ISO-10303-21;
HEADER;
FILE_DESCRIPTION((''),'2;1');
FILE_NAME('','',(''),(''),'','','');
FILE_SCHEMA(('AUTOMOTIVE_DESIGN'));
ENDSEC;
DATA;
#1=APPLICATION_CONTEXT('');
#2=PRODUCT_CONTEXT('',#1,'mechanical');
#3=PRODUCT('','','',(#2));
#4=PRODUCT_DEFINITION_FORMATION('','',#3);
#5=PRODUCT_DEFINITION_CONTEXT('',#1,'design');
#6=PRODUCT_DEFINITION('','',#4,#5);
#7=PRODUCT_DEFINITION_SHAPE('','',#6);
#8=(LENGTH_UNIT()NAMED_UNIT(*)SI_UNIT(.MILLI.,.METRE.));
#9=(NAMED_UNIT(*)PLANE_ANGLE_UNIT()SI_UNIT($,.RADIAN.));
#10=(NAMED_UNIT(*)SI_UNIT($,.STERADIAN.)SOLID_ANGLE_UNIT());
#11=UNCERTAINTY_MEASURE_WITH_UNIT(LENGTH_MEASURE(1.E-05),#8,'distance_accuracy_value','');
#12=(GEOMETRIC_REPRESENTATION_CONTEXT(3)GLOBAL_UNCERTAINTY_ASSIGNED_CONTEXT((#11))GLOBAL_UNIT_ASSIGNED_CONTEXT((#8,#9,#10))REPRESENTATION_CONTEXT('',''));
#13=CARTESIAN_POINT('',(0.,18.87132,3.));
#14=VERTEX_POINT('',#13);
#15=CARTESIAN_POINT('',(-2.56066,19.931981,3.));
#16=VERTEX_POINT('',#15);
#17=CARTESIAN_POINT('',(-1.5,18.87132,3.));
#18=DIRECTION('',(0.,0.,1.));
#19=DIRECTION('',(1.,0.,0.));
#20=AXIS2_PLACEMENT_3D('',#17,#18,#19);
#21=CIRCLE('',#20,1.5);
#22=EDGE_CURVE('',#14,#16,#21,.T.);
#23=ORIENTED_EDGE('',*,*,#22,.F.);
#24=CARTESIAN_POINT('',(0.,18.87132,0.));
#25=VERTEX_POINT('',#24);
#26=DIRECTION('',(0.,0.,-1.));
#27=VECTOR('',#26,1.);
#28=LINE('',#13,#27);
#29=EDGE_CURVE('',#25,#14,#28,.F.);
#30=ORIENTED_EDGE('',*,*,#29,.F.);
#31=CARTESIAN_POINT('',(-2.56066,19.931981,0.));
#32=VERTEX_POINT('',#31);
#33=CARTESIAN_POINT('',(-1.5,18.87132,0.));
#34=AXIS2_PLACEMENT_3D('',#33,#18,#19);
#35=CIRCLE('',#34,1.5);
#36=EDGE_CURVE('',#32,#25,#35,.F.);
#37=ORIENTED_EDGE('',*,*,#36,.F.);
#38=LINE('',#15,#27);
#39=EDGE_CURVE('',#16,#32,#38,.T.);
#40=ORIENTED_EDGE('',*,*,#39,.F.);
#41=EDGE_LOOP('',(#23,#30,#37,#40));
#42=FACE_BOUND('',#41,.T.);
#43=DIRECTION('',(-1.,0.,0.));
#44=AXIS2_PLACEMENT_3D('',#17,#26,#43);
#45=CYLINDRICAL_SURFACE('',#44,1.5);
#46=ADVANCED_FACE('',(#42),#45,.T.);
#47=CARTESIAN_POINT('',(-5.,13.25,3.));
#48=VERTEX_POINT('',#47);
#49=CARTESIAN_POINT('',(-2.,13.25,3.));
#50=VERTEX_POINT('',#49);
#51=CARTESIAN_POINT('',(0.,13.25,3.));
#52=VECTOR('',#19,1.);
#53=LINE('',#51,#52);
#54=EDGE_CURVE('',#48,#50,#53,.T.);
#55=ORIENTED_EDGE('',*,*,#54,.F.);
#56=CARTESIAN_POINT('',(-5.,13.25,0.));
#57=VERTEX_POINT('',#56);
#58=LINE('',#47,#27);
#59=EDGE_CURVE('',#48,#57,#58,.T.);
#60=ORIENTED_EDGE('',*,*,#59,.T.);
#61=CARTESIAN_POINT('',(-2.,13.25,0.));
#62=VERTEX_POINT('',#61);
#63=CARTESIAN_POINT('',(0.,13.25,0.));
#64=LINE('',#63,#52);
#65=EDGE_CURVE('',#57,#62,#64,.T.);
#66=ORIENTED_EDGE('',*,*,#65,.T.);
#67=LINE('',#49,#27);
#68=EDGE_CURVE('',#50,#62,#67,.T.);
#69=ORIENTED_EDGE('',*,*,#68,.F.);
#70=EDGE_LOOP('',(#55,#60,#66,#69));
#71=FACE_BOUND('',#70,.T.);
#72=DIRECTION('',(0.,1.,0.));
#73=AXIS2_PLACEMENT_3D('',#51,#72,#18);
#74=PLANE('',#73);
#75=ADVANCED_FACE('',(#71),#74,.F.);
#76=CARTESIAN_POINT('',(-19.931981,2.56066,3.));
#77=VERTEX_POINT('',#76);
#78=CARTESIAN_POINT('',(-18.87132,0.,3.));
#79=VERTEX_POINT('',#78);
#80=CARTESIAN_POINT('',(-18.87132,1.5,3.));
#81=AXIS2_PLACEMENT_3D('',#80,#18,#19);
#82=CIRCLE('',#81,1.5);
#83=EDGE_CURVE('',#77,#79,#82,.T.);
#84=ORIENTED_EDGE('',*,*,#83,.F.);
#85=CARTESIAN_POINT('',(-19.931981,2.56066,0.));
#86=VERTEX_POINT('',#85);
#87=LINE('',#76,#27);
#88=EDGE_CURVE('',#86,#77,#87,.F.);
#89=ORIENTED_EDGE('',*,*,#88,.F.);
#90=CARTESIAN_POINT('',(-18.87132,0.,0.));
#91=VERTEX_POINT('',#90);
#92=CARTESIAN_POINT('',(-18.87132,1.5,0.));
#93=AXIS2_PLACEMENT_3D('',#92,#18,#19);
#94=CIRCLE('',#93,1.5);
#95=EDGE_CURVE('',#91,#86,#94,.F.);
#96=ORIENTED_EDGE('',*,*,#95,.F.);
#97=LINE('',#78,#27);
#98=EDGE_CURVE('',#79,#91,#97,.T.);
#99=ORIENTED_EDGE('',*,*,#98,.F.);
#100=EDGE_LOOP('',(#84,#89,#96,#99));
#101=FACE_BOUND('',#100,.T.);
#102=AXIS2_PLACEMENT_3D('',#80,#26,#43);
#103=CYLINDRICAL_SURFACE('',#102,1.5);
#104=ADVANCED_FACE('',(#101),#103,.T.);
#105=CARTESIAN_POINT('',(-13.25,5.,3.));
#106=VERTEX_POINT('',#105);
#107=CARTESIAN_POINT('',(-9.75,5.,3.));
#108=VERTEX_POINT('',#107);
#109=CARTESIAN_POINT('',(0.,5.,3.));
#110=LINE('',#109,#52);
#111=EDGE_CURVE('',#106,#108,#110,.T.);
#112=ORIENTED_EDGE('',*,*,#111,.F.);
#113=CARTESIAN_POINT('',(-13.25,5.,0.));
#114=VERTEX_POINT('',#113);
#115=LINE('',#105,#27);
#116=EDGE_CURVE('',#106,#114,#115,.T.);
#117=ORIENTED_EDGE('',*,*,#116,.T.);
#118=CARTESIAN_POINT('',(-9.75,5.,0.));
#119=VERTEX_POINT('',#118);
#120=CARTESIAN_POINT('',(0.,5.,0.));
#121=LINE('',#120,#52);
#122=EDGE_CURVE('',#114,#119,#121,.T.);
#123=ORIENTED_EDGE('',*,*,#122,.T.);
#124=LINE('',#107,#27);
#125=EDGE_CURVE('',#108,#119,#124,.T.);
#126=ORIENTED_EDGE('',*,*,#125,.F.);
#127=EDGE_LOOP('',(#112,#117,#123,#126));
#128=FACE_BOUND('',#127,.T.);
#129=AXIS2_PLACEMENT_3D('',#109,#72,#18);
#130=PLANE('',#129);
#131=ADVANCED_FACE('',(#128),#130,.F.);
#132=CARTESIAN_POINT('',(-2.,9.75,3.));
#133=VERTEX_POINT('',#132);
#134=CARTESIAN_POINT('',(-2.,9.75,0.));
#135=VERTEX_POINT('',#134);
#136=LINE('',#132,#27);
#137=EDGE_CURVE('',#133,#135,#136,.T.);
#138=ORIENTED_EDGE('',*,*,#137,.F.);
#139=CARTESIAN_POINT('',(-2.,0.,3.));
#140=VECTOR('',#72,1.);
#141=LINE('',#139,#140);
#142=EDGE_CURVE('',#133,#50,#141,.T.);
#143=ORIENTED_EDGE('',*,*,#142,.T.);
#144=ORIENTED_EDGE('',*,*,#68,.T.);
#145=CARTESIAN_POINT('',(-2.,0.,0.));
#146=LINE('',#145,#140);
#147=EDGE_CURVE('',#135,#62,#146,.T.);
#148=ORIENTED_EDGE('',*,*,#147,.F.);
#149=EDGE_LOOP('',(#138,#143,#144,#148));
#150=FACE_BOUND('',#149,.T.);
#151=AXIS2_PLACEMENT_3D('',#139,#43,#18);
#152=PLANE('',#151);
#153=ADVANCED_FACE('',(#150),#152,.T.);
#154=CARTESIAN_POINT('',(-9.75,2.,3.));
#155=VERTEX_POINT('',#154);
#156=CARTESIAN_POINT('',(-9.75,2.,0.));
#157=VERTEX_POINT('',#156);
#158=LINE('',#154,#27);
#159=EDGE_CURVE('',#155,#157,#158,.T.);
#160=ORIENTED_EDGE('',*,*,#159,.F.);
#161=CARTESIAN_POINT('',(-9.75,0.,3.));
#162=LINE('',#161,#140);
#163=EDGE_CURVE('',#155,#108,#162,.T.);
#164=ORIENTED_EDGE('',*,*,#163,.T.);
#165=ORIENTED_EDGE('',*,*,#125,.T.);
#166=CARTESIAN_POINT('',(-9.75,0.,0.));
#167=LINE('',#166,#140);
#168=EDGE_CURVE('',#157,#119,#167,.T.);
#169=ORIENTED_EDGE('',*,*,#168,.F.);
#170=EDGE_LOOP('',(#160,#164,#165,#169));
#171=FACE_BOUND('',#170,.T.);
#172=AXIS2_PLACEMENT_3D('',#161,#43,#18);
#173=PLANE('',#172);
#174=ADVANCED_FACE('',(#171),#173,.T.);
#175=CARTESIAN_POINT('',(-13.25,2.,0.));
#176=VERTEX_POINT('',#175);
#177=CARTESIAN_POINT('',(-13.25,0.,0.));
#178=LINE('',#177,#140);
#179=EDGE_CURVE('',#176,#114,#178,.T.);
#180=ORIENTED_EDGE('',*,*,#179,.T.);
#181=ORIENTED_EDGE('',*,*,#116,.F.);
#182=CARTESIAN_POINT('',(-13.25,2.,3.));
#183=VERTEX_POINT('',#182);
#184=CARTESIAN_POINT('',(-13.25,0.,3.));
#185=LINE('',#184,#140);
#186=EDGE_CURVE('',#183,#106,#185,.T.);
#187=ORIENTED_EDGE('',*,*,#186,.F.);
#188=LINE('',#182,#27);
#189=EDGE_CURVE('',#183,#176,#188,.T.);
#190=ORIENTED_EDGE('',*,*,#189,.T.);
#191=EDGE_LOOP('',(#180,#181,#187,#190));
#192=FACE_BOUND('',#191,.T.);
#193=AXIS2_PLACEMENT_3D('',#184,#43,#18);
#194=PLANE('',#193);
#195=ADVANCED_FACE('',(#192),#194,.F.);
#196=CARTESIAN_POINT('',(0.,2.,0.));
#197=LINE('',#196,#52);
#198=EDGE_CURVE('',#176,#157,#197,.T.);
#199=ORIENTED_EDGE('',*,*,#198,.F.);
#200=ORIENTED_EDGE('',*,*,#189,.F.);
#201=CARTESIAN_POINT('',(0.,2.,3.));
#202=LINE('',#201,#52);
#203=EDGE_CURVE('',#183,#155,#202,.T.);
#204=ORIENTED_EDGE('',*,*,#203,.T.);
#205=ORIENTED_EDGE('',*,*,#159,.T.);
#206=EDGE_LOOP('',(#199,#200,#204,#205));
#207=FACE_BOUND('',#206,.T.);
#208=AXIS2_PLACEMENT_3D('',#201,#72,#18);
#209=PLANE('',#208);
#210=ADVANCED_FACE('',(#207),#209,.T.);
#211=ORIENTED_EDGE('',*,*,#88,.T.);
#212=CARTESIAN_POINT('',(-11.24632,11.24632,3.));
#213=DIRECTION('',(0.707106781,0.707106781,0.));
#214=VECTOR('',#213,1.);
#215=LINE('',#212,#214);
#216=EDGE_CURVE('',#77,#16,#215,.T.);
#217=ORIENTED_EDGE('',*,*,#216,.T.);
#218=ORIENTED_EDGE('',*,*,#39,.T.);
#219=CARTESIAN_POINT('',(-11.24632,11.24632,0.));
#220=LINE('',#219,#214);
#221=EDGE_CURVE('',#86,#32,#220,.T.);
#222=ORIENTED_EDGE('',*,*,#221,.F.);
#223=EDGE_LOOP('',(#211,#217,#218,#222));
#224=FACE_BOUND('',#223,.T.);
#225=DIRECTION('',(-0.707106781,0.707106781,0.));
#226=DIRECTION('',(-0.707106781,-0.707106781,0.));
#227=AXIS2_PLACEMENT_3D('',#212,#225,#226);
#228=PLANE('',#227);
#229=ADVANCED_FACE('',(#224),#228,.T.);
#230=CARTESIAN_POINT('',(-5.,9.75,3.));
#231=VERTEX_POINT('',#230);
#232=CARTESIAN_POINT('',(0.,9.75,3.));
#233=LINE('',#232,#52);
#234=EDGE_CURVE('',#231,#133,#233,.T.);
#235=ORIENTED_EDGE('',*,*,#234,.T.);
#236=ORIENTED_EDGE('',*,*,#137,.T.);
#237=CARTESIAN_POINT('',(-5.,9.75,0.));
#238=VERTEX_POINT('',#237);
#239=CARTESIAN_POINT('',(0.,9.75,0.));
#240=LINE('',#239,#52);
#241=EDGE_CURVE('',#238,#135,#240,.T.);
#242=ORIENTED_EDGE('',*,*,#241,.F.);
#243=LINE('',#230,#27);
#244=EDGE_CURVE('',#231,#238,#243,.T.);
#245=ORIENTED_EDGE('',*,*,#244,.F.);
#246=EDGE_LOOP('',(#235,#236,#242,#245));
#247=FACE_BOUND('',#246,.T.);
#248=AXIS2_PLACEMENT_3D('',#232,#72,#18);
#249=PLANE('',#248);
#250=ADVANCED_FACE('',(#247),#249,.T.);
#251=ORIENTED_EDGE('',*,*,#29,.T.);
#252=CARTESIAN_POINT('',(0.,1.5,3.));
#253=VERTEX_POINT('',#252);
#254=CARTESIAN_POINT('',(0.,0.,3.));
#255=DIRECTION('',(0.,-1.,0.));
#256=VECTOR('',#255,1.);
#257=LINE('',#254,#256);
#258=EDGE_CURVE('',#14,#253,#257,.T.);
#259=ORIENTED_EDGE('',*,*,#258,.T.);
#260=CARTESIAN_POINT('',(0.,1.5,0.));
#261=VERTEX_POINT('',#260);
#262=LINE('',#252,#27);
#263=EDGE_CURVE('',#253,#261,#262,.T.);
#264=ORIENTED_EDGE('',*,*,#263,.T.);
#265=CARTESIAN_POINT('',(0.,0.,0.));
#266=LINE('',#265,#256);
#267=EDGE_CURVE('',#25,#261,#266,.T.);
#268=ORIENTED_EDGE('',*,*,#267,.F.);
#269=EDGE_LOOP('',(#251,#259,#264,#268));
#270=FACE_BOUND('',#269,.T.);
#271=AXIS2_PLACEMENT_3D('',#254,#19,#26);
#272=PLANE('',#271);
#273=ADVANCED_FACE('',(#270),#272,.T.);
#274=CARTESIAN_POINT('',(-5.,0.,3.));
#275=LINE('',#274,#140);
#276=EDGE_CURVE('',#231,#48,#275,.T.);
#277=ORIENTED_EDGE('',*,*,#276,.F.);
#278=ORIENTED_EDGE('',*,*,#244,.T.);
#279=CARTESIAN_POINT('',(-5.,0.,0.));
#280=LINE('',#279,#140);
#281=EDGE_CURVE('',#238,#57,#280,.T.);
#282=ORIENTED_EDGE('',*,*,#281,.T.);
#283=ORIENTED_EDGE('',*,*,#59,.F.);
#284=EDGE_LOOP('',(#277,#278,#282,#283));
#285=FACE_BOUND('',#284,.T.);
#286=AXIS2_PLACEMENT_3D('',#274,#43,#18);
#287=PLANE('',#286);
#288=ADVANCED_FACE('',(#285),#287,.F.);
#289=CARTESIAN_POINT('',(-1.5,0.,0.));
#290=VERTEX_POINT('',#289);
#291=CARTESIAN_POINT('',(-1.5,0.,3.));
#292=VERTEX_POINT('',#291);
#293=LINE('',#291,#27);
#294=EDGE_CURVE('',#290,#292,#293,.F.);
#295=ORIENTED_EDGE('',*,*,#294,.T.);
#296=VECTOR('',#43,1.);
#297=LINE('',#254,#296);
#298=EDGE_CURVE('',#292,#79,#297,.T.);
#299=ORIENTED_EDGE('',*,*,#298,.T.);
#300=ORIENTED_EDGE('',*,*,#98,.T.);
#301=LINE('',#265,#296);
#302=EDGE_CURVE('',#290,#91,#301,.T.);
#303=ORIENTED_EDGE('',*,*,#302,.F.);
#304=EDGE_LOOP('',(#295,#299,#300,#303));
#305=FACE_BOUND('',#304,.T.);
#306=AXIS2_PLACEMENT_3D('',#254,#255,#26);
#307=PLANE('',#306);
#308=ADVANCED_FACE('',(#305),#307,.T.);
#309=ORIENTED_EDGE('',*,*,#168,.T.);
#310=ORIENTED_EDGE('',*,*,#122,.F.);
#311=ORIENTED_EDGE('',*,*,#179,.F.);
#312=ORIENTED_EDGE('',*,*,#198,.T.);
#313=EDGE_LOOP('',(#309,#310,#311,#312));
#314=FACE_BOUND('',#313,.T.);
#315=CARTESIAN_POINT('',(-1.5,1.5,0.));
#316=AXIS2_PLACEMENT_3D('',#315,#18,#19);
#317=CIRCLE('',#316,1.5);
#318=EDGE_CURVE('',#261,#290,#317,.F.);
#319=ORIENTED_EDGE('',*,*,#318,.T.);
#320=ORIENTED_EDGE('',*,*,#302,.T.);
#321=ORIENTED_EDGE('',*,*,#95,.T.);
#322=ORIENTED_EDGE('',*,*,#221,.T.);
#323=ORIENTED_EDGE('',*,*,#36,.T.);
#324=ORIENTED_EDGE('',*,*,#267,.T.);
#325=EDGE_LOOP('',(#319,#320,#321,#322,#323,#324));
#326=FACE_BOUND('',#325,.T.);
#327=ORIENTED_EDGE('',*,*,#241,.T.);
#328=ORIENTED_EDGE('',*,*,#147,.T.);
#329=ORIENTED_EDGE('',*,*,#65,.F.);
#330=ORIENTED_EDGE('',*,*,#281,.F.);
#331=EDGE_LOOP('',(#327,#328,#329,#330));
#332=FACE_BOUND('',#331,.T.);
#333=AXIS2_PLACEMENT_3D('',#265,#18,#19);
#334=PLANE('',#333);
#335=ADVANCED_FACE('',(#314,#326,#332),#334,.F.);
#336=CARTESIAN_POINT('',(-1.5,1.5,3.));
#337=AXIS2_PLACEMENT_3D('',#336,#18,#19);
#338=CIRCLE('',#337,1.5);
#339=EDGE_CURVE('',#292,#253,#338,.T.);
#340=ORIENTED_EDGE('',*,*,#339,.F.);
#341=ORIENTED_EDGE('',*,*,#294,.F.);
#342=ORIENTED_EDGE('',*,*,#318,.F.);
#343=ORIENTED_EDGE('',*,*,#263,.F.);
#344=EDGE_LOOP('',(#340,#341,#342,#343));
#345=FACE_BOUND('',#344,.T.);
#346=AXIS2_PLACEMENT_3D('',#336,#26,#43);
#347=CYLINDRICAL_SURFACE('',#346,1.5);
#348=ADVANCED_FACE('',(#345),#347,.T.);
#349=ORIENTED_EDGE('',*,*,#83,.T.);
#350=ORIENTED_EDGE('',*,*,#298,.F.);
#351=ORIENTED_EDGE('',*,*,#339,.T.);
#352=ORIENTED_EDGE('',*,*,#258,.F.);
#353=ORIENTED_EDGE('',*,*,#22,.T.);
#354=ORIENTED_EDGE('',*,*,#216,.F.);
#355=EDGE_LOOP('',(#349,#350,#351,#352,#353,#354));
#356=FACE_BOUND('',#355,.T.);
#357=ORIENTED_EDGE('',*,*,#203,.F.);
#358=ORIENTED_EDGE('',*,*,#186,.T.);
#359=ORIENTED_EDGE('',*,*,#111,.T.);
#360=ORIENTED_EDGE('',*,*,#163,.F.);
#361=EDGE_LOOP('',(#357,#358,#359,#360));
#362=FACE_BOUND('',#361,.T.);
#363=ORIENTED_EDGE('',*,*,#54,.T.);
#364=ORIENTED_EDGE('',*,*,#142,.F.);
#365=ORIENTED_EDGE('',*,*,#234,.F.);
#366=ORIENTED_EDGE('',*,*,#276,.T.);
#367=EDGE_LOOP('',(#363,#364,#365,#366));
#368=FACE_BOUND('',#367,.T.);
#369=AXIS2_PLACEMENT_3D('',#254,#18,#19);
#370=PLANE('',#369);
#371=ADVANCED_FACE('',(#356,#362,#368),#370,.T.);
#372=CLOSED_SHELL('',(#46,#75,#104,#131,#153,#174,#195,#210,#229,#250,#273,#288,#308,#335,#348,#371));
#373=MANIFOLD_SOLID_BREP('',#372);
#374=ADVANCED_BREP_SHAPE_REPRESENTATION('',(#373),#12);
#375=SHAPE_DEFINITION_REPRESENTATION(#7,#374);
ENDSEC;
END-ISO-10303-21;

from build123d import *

# Parameters (mm, degrees)
SKETCH_1_W      = 3.5
SKETCH_1_H      = 3
SKETCH_1_W_2    = 3
SKETCH_1_H_2    = 3.5
EXTRUDE_1_DEPTH = 3
FILLET_1_R      = 1.5


with BuildPart() as part:
    # Эскиз1 → Бобышка-Вытянуть1 (new body)
    with BuildSketch(Plane.XY):
        Polygon((0, 22.492640687), (0, 0), (-22.492640687, 0), align=None)
        with Locations((-11.5, 3.5)):
            Rectangle(SKETCH_1_W, SKETCH_1_H, mode=Mode.SUBTRACT)
        with Locations((-3.5, 11.5)):
            Rectangle(SKETCH_1_W_2, SKETCH_1_H_2, mode=Mode.SUBTRACT)
    extrude(amount=EXTRUDE_1_DEPTH)

    # Скругление1
    fillet_1_edges = [part.edges().sort_by_distance(p)[0] for p in [
        (0, 0, 1.5),
        (-22.492640687, 0, 1.5),
        (0, 22.492640687, 1.5),
    ]]
    fillet(fillet_1_edges, radius=FILLET_1_R)


solid = part.part
